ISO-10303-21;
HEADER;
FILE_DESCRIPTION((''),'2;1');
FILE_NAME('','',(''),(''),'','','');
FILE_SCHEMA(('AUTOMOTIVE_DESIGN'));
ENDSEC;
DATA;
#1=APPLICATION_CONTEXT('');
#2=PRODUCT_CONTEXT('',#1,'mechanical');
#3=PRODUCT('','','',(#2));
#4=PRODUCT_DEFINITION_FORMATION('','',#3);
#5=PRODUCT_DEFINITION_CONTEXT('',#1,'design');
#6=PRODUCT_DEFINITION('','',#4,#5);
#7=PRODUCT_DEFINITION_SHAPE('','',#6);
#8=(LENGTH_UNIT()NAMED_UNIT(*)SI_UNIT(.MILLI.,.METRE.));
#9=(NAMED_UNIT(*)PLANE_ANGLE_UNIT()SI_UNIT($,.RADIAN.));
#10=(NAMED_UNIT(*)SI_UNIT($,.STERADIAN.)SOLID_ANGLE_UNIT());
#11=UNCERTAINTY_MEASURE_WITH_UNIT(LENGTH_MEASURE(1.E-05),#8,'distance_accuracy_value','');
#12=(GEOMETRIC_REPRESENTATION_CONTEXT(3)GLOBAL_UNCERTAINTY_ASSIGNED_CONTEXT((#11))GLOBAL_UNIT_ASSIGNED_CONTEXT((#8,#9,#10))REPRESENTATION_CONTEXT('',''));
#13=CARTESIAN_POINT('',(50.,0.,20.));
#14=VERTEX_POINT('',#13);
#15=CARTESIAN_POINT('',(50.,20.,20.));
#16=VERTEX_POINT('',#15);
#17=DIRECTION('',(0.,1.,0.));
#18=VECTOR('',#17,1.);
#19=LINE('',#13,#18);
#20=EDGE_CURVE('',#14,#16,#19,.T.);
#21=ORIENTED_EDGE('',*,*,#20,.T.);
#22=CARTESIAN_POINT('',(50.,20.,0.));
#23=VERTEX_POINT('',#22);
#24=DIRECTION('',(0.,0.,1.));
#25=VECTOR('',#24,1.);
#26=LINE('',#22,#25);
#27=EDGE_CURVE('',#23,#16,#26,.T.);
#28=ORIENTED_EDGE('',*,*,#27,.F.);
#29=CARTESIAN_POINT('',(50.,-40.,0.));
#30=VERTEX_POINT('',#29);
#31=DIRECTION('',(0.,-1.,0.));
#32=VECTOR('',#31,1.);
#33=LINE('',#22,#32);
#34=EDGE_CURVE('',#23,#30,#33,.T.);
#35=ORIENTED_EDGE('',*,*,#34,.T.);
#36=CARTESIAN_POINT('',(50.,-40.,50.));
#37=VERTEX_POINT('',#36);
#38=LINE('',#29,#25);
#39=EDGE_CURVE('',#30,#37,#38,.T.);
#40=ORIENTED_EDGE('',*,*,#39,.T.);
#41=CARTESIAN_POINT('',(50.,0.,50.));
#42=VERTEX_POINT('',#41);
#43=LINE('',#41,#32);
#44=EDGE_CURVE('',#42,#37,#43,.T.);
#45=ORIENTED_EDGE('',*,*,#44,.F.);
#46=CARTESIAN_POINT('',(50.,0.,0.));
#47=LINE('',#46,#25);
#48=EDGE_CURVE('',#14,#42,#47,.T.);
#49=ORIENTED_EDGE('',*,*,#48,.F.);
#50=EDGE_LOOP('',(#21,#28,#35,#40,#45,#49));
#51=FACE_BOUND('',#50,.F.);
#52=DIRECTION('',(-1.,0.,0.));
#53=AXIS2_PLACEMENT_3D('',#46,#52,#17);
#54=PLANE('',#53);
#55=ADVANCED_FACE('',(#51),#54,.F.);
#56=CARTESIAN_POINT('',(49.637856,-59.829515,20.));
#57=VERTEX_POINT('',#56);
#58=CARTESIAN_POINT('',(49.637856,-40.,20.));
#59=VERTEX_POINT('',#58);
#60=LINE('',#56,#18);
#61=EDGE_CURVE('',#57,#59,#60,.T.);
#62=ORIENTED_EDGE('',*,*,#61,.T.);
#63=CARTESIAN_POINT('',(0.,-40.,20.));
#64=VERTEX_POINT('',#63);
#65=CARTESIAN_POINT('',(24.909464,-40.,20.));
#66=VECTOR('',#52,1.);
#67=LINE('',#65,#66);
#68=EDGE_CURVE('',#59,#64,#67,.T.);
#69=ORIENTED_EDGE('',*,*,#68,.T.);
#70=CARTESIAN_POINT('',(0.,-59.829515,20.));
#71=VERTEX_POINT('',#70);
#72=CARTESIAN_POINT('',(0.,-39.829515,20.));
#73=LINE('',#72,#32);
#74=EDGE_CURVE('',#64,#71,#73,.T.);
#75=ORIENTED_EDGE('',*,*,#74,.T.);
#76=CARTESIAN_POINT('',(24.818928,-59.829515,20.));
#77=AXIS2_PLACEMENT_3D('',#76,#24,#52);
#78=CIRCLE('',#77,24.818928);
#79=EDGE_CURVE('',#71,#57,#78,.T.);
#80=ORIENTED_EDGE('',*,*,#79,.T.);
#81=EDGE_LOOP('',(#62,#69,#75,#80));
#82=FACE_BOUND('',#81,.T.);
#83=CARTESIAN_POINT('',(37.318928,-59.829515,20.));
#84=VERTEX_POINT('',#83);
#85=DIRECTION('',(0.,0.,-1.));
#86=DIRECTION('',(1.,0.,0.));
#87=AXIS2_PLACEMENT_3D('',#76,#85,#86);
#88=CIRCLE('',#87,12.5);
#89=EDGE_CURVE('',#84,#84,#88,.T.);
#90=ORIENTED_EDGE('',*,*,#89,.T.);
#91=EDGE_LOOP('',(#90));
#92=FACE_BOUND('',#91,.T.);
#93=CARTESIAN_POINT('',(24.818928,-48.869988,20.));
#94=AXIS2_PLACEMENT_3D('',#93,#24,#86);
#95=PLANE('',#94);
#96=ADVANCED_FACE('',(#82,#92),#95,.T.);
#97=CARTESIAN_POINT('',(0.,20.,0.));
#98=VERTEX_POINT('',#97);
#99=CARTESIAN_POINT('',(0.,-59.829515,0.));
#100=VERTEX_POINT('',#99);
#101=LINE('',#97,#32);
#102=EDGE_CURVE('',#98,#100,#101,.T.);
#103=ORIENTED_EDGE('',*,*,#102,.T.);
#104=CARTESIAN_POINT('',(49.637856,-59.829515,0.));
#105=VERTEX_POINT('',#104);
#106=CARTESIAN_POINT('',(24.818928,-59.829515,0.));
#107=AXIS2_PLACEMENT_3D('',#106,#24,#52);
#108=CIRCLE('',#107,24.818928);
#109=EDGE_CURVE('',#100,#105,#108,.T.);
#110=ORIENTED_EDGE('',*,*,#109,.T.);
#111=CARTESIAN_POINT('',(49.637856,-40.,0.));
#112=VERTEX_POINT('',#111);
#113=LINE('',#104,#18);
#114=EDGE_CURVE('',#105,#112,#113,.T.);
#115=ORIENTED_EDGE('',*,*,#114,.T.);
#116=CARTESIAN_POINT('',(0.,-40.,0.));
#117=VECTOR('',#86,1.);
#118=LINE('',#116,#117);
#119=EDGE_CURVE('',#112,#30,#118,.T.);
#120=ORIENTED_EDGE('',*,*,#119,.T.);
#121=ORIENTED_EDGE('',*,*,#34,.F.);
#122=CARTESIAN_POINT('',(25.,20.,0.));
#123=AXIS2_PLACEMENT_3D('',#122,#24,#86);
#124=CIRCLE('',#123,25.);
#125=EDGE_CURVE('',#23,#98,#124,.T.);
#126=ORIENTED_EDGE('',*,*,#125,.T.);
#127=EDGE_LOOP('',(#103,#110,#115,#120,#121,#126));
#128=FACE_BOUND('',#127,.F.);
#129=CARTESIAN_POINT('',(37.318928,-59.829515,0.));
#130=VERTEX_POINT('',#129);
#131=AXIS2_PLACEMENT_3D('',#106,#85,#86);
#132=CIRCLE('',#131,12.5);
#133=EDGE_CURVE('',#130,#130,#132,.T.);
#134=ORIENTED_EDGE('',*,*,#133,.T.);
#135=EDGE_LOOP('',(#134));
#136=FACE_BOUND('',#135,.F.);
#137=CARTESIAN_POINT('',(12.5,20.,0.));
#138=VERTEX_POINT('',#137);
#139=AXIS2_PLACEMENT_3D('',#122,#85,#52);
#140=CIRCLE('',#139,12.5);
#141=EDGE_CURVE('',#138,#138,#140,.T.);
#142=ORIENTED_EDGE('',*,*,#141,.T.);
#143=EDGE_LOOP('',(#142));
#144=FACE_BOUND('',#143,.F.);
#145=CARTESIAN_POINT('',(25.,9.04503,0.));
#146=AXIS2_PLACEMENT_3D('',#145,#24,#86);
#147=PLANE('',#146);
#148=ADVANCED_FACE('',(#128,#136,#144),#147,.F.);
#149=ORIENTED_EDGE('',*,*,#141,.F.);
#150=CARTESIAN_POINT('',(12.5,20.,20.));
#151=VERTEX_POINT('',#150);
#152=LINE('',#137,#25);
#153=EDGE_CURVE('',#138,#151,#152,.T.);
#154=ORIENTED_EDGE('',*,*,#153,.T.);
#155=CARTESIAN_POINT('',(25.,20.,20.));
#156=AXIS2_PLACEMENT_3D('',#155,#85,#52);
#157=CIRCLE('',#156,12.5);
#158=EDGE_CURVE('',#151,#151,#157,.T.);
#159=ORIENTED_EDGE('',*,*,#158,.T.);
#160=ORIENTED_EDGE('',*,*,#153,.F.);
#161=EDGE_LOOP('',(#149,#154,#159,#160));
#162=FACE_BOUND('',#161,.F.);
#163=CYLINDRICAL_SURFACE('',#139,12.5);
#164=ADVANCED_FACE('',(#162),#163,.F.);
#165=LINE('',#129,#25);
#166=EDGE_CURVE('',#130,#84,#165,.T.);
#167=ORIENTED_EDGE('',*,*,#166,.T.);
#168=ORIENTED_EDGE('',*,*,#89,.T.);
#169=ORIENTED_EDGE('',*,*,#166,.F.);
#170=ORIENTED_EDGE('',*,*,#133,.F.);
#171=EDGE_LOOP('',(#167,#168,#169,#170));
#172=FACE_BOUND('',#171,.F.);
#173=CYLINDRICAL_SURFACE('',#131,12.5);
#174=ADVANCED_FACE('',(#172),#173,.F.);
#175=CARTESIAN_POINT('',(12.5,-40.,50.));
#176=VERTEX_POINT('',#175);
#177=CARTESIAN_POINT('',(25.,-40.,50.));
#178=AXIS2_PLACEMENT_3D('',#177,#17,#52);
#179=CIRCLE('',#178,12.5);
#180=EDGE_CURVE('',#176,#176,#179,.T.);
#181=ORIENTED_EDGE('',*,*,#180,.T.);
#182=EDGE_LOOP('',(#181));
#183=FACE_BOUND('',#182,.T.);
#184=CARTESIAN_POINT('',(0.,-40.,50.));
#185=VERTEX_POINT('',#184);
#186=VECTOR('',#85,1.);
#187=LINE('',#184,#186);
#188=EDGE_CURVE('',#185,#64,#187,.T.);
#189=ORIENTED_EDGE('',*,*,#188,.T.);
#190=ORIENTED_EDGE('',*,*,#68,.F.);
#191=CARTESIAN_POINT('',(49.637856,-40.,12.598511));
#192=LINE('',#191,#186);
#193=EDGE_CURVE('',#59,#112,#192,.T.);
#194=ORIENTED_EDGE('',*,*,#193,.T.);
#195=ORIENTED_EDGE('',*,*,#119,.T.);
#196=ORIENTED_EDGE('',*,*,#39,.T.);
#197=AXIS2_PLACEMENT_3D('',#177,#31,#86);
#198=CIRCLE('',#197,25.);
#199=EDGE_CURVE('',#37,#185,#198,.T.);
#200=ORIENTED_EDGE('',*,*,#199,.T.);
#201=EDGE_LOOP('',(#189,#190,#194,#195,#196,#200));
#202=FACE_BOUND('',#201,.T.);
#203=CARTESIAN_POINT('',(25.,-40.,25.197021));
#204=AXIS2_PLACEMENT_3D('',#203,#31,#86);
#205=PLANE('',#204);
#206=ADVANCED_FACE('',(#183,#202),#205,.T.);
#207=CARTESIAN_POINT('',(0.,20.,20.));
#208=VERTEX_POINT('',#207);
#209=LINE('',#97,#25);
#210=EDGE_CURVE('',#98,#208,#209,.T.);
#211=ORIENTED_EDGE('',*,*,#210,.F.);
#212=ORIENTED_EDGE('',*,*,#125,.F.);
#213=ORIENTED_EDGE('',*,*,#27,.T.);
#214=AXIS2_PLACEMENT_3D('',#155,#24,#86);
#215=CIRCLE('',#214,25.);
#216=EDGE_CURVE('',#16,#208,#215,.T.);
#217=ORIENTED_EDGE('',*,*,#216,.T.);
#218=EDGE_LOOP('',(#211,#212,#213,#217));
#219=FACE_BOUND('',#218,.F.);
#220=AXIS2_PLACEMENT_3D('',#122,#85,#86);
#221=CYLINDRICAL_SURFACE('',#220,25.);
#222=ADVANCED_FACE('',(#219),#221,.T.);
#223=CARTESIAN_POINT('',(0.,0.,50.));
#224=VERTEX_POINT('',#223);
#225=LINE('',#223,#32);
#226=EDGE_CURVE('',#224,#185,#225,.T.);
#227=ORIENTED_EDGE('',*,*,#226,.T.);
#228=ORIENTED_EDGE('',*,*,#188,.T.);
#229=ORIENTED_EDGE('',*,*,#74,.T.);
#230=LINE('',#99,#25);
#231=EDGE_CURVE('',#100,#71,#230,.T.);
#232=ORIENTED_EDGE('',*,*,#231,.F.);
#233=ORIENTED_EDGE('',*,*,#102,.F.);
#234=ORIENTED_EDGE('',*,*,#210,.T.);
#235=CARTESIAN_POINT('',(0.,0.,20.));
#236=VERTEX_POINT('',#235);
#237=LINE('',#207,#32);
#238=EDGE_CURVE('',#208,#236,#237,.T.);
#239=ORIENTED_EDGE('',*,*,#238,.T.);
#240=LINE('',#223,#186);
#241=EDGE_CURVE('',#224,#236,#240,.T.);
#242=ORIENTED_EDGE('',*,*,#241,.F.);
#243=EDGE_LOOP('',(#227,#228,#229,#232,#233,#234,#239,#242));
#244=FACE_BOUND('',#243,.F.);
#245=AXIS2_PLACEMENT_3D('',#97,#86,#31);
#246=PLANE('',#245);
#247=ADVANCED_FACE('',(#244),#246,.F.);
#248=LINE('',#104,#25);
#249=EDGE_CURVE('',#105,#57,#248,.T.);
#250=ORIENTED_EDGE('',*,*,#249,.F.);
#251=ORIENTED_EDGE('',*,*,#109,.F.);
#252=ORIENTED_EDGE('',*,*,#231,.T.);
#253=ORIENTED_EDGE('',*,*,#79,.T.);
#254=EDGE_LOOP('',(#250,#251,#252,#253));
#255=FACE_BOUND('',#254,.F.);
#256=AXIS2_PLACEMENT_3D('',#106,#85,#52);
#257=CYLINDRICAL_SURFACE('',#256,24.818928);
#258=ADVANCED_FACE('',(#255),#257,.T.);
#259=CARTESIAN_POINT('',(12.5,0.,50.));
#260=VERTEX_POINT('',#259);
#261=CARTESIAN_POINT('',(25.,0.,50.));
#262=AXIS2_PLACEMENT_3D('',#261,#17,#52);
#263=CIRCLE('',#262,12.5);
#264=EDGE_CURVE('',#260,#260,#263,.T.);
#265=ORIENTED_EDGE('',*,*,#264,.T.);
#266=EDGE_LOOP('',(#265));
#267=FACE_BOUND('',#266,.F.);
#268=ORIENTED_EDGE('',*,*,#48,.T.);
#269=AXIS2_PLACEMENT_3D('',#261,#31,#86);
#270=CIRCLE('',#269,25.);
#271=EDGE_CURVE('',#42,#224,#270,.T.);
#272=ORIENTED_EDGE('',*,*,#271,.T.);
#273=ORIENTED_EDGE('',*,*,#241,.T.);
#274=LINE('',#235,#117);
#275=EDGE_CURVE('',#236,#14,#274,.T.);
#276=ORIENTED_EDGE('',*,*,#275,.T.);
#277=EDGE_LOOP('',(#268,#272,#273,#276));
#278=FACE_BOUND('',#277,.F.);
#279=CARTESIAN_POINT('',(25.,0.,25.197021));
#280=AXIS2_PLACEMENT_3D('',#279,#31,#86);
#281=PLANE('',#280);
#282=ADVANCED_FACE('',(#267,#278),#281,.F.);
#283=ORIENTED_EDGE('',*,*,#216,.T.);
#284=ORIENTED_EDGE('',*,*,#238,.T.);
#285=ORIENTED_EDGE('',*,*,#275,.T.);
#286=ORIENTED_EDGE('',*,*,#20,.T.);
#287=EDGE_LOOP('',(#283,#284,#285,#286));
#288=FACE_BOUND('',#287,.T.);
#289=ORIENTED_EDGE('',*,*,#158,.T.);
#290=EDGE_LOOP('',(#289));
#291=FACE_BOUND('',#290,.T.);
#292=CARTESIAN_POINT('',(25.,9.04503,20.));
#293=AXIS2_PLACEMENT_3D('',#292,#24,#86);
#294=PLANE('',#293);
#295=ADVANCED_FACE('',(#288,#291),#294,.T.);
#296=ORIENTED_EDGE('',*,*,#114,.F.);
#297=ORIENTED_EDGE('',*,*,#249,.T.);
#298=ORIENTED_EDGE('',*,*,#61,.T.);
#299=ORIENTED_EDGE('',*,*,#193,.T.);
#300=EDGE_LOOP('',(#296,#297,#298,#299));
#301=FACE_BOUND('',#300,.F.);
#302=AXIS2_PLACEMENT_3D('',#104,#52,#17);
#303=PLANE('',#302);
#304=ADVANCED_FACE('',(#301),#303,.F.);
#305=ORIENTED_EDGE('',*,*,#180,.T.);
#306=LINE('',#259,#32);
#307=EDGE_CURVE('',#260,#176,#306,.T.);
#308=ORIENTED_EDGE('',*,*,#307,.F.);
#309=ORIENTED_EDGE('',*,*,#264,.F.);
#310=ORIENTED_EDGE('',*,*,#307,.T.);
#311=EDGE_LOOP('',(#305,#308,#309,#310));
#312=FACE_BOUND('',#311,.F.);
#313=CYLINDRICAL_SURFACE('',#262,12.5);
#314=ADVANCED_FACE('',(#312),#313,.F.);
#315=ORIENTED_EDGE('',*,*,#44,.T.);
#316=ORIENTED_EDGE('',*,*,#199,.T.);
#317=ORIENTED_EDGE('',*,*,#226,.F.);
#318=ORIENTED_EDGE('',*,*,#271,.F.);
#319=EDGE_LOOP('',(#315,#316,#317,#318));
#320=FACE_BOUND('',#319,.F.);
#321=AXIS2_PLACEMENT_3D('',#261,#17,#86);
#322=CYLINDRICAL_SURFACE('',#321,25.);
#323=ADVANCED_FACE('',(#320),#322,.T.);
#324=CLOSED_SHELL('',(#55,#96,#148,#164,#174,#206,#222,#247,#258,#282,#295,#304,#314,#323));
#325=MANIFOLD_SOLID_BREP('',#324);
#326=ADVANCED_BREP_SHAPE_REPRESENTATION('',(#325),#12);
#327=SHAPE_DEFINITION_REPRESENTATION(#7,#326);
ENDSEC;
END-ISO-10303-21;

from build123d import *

# Parameters (mm, degrees)
F1_DEPTH = 40
F3_DEPTH = 20
F5_DEPTH = 20


with BuildPart() as f1:
    # F0 (on Front) → F1 (new body)
    with BuildSketch(Plane.XZ):
        with BuildLine():
            Line((0, 50), (0, 0))
            Line((0, 0), (50, 0))
            Line((50, 0), (50, 50))
            Line((50, 50), (37.5, 50))
            ThreePointArc((37.5, 50), (25, 37.5), (12.5, 50))
            Line((12.5, 50), (0, 50))
        make_face()
        with BuildLine():
            ThreePointArc((50, 50), (25, 75), (0, 50))
            Line((0, 50), (12.5, 50))
            ThreePointArc((12.5, 50), (25, 62.5), (37.5, 50))
            Line((37.5, 50), (50, 50))
        make_face()
    extrude(amount=F1_DEPTH)

    # F2 (on Top) → F3 (join)
    with BuildSketch(Plane.XY):
        with BuildLine():
            Line((0, 20), (0, 0))
            Line((0, 0), (50, 0))
            Line((50, 0), (50, 20))
            Line((50, 20), (37.5, 20))
            ThreePointArc((37.5, 20), (25, 7.5), (12.5, 20))
            Line((12.5, 20), (0, 20))
        make_face()
        with BuildLine():
            ThreePointArc((50, 20), (25, 45), (0, 20))
            Line((0, 20), (12.5, 20))
            ThreePointArc((12.5, 20), (25, 32.5), (37.5, 20))
            Line((37.5, 20), (50, 20))
        make_face()
    extrude(amount=F3_DEPTH)

    # F4 (on Top) → F5 (join)
    with BuildSketch(Plane.XY):
        with BuildLine():
            Line((49.637856, -39.829515), (0, -39.829515))
            Line((0, -39.829515), (0, -59.829515))
            Line((0, -59.829515), (12.318928, -59.829515))
            ThreePointArc((12.318928, -59.829515), (24.818928, -47.329515), (37.318928, -59.829515))
            Line((37.318928, -59.829515), (49.637856, -59.829515))
            Line((49.637856, -59.829515), (49.637856, -39.829515))
        make_face()
        with BuildLine():
            Line((12.318928, -59.829515), (0, -59.829515))
            ThreePointArc((0, -59.829515), (24.818928, -84.648443), (49.637856, -59.829515))
            Line((49.637856, -59.829515), (37.318928, -59.829515))
            ThreePointArc((37.318928, -59.829515), (24.818928, -72.329515), (12.318928, -59.829515))
        make_face()
    extrude(amount=F5_DEPTH)


solid = f1.part
